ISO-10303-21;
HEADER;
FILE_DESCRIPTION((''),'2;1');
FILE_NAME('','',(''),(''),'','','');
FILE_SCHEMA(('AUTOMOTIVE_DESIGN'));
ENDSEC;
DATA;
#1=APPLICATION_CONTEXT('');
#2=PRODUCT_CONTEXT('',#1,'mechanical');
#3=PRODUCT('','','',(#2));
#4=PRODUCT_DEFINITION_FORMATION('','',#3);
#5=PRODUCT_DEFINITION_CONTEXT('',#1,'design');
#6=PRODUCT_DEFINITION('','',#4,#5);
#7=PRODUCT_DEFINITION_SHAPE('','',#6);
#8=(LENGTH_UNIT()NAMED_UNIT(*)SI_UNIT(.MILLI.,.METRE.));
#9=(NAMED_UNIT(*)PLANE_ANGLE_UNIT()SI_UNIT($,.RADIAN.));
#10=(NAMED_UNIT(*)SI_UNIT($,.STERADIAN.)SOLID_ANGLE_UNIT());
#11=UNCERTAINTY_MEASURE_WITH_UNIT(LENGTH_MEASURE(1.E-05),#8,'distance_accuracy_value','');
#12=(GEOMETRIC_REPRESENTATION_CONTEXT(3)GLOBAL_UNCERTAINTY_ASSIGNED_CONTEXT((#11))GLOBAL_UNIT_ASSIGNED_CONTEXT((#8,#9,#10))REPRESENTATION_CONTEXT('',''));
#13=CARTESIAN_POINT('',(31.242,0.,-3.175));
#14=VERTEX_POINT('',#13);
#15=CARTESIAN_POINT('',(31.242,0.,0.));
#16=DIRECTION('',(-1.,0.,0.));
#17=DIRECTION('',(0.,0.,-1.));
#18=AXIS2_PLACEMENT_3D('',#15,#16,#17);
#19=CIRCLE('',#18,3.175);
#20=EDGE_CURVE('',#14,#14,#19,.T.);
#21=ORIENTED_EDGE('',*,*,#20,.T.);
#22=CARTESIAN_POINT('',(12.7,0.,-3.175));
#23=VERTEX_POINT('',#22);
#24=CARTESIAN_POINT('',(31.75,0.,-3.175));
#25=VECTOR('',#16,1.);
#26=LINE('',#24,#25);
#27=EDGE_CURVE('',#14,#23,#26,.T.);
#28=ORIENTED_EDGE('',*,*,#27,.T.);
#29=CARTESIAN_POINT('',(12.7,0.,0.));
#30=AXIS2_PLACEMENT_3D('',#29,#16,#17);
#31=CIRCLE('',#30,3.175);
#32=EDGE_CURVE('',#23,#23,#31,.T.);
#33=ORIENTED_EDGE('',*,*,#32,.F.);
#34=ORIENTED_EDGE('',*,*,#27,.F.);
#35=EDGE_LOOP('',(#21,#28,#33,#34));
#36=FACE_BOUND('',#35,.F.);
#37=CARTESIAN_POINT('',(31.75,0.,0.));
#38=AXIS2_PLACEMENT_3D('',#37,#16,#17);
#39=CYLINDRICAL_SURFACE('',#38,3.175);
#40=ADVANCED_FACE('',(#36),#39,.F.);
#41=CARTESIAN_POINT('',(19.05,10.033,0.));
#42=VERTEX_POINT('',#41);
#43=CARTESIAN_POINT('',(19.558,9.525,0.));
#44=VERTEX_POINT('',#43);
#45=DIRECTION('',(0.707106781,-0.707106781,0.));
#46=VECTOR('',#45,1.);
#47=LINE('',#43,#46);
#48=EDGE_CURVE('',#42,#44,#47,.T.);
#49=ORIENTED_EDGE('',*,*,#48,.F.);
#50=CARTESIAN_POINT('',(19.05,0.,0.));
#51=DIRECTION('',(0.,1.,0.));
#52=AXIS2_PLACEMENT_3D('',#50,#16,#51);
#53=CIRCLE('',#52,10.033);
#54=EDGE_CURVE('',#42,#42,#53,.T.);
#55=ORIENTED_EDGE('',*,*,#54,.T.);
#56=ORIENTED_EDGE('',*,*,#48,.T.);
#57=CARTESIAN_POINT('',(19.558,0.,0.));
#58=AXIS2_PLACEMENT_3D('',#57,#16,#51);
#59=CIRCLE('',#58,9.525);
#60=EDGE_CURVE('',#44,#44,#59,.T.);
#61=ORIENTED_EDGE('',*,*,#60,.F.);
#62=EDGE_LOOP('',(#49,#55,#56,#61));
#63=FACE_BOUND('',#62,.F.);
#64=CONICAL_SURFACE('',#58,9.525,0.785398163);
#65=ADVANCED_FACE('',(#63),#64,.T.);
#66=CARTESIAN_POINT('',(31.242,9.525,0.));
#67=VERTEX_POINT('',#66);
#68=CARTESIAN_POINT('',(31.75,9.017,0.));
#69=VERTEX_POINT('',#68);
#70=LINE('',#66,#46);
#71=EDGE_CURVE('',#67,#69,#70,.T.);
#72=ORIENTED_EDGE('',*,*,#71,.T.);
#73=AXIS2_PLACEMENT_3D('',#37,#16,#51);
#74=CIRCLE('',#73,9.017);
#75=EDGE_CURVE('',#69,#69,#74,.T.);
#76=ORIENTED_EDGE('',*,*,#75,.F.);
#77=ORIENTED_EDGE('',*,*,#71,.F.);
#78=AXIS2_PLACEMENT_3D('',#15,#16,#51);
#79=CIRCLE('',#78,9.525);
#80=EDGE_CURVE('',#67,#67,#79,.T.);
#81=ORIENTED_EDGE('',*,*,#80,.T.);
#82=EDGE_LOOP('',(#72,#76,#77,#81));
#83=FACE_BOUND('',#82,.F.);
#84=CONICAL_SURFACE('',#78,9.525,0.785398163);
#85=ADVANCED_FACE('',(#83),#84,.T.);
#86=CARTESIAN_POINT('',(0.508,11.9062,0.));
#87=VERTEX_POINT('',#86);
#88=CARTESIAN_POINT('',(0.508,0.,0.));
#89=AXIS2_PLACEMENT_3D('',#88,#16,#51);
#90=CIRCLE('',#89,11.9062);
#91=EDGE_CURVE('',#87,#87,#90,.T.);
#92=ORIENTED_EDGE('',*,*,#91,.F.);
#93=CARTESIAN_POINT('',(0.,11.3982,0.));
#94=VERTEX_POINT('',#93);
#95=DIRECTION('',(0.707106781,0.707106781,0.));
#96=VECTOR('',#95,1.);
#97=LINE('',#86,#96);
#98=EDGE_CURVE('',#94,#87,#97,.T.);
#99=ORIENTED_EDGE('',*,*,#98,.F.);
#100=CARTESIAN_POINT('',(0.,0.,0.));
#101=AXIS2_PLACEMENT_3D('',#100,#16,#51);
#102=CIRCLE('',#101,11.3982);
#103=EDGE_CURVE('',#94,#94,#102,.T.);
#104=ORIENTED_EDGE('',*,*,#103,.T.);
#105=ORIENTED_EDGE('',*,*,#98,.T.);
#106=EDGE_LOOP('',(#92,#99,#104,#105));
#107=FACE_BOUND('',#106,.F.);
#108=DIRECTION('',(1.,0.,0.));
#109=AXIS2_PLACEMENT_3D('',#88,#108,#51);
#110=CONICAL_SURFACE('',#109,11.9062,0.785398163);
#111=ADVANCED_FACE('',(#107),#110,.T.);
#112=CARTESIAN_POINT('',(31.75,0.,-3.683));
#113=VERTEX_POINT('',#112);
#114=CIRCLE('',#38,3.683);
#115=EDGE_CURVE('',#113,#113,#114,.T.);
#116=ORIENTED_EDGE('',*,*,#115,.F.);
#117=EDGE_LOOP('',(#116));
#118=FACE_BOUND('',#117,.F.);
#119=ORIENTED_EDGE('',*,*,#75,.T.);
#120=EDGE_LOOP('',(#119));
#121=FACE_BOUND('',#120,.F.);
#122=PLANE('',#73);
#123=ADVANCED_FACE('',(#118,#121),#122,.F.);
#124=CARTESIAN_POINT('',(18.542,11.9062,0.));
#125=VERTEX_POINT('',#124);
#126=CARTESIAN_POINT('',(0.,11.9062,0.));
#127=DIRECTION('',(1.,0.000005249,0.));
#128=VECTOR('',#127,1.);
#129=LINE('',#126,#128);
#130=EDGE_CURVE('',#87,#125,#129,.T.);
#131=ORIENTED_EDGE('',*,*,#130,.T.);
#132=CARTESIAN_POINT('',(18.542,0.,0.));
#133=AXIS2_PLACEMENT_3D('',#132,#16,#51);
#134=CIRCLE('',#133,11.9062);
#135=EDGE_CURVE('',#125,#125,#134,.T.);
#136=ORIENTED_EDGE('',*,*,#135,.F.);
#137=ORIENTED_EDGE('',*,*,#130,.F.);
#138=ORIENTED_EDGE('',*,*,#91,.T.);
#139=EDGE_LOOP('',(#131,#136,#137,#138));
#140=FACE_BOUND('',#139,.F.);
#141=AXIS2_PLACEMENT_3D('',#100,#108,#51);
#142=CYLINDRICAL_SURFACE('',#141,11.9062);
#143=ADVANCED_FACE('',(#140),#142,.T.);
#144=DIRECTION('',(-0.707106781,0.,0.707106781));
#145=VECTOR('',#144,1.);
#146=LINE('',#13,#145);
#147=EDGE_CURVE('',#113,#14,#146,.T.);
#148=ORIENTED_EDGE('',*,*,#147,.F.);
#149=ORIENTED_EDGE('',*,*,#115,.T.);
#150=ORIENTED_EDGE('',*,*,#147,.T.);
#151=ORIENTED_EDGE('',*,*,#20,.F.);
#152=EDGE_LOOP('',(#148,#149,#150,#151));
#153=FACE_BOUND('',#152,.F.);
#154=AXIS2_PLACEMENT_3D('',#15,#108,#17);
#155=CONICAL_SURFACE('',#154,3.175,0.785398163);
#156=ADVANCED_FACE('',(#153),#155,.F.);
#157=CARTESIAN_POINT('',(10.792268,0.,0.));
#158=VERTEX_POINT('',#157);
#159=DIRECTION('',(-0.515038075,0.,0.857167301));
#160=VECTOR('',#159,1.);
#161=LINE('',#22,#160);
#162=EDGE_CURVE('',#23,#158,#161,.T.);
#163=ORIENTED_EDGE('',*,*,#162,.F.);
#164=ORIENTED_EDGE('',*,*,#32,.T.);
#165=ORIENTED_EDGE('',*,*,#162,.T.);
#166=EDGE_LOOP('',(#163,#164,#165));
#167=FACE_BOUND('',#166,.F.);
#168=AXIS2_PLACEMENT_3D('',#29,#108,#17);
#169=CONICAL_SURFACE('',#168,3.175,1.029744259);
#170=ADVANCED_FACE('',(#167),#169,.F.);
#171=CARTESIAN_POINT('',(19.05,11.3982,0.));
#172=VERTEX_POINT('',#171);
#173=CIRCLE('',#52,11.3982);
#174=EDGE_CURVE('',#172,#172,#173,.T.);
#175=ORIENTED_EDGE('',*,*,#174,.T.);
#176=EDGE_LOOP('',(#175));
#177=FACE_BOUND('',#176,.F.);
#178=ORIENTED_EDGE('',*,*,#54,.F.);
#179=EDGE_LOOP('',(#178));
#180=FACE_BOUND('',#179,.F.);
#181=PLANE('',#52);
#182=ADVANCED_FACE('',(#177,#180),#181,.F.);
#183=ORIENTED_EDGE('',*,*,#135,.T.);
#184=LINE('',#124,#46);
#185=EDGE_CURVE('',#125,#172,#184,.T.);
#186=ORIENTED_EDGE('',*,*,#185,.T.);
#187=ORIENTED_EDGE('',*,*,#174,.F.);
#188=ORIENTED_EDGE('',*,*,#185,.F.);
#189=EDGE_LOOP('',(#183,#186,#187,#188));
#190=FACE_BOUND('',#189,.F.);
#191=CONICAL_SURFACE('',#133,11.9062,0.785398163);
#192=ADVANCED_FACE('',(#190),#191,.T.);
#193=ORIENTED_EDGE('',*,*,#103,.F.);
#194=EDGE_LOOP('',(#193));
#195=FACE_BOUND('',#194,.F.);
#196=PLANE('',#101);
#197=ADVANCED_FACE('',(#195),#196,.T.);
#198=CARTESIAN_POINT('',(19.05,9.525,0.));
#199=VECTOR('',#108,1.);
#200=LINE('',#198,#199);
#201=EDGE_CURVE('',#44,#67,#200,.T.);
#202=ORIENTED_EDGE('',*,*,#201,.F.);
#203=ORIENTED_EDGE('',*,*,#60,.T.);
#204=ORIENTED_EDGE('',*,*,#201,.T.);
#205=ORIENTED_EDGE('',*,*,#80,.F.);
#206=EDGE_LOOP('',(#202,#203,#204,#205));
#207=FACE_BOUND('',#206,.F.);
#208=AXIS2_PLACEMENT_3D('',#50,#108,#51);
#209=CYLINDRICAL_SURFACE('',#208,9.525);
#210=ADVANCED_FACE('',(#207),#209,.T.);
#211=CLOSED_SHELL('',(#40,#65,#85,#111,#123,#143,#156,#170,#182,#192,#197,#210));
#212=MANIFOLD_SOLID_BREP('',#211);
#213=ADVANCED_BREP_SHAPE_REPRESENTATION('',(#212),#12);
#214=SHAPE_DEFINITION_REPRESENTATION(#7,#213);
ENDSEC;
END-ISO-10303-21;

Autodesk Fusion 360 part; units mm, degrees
sketch "Sketch1" plane through (0, 0, 0) normal (0, 0, 1) x (1, 0, 0)
  line L0 (0, 0) -> (0, 11.9062)
  line L1 (0, 11.9062) -> (19.05, 11.9063)
  line L2 (19.05, 11.9063) -> (19.05, 9.525)
  line L3 (19.05, 9.525) -> (31.75, 9.525)
  line L4 (31.75, 9.525) -> (31.75, 0)
  line L5 (31.75, 0) -> (0, 0)
  dimension "d1" = 11.9062
  dimension "d2" = 9.525
  dimension "d3" = 12.7
  dimension "d4" = 19.05
revolve "Revolve1" add sketch "Sketch1" angle 360 about axis through (31.75, 0, 0) along (-1, 0, 0)
hole "Hole1" at (31.75, 0, 0) direction (-1, 0, 0) diameter 6.35 depth 19.05 tip angle 118
chamfer "Chamfer1" distance 0.508 angle 45 5 edges at (0, -4.3055, 11.1005) (19.05, -4.3055, 11.1005) (19.05, -3.4444, 8.8804) (31.75, -3.4444, 8.8804) (31.75, -2.9601, 1.1481)
equation "d1 = ( 15 / 32 ) * 1 in"
